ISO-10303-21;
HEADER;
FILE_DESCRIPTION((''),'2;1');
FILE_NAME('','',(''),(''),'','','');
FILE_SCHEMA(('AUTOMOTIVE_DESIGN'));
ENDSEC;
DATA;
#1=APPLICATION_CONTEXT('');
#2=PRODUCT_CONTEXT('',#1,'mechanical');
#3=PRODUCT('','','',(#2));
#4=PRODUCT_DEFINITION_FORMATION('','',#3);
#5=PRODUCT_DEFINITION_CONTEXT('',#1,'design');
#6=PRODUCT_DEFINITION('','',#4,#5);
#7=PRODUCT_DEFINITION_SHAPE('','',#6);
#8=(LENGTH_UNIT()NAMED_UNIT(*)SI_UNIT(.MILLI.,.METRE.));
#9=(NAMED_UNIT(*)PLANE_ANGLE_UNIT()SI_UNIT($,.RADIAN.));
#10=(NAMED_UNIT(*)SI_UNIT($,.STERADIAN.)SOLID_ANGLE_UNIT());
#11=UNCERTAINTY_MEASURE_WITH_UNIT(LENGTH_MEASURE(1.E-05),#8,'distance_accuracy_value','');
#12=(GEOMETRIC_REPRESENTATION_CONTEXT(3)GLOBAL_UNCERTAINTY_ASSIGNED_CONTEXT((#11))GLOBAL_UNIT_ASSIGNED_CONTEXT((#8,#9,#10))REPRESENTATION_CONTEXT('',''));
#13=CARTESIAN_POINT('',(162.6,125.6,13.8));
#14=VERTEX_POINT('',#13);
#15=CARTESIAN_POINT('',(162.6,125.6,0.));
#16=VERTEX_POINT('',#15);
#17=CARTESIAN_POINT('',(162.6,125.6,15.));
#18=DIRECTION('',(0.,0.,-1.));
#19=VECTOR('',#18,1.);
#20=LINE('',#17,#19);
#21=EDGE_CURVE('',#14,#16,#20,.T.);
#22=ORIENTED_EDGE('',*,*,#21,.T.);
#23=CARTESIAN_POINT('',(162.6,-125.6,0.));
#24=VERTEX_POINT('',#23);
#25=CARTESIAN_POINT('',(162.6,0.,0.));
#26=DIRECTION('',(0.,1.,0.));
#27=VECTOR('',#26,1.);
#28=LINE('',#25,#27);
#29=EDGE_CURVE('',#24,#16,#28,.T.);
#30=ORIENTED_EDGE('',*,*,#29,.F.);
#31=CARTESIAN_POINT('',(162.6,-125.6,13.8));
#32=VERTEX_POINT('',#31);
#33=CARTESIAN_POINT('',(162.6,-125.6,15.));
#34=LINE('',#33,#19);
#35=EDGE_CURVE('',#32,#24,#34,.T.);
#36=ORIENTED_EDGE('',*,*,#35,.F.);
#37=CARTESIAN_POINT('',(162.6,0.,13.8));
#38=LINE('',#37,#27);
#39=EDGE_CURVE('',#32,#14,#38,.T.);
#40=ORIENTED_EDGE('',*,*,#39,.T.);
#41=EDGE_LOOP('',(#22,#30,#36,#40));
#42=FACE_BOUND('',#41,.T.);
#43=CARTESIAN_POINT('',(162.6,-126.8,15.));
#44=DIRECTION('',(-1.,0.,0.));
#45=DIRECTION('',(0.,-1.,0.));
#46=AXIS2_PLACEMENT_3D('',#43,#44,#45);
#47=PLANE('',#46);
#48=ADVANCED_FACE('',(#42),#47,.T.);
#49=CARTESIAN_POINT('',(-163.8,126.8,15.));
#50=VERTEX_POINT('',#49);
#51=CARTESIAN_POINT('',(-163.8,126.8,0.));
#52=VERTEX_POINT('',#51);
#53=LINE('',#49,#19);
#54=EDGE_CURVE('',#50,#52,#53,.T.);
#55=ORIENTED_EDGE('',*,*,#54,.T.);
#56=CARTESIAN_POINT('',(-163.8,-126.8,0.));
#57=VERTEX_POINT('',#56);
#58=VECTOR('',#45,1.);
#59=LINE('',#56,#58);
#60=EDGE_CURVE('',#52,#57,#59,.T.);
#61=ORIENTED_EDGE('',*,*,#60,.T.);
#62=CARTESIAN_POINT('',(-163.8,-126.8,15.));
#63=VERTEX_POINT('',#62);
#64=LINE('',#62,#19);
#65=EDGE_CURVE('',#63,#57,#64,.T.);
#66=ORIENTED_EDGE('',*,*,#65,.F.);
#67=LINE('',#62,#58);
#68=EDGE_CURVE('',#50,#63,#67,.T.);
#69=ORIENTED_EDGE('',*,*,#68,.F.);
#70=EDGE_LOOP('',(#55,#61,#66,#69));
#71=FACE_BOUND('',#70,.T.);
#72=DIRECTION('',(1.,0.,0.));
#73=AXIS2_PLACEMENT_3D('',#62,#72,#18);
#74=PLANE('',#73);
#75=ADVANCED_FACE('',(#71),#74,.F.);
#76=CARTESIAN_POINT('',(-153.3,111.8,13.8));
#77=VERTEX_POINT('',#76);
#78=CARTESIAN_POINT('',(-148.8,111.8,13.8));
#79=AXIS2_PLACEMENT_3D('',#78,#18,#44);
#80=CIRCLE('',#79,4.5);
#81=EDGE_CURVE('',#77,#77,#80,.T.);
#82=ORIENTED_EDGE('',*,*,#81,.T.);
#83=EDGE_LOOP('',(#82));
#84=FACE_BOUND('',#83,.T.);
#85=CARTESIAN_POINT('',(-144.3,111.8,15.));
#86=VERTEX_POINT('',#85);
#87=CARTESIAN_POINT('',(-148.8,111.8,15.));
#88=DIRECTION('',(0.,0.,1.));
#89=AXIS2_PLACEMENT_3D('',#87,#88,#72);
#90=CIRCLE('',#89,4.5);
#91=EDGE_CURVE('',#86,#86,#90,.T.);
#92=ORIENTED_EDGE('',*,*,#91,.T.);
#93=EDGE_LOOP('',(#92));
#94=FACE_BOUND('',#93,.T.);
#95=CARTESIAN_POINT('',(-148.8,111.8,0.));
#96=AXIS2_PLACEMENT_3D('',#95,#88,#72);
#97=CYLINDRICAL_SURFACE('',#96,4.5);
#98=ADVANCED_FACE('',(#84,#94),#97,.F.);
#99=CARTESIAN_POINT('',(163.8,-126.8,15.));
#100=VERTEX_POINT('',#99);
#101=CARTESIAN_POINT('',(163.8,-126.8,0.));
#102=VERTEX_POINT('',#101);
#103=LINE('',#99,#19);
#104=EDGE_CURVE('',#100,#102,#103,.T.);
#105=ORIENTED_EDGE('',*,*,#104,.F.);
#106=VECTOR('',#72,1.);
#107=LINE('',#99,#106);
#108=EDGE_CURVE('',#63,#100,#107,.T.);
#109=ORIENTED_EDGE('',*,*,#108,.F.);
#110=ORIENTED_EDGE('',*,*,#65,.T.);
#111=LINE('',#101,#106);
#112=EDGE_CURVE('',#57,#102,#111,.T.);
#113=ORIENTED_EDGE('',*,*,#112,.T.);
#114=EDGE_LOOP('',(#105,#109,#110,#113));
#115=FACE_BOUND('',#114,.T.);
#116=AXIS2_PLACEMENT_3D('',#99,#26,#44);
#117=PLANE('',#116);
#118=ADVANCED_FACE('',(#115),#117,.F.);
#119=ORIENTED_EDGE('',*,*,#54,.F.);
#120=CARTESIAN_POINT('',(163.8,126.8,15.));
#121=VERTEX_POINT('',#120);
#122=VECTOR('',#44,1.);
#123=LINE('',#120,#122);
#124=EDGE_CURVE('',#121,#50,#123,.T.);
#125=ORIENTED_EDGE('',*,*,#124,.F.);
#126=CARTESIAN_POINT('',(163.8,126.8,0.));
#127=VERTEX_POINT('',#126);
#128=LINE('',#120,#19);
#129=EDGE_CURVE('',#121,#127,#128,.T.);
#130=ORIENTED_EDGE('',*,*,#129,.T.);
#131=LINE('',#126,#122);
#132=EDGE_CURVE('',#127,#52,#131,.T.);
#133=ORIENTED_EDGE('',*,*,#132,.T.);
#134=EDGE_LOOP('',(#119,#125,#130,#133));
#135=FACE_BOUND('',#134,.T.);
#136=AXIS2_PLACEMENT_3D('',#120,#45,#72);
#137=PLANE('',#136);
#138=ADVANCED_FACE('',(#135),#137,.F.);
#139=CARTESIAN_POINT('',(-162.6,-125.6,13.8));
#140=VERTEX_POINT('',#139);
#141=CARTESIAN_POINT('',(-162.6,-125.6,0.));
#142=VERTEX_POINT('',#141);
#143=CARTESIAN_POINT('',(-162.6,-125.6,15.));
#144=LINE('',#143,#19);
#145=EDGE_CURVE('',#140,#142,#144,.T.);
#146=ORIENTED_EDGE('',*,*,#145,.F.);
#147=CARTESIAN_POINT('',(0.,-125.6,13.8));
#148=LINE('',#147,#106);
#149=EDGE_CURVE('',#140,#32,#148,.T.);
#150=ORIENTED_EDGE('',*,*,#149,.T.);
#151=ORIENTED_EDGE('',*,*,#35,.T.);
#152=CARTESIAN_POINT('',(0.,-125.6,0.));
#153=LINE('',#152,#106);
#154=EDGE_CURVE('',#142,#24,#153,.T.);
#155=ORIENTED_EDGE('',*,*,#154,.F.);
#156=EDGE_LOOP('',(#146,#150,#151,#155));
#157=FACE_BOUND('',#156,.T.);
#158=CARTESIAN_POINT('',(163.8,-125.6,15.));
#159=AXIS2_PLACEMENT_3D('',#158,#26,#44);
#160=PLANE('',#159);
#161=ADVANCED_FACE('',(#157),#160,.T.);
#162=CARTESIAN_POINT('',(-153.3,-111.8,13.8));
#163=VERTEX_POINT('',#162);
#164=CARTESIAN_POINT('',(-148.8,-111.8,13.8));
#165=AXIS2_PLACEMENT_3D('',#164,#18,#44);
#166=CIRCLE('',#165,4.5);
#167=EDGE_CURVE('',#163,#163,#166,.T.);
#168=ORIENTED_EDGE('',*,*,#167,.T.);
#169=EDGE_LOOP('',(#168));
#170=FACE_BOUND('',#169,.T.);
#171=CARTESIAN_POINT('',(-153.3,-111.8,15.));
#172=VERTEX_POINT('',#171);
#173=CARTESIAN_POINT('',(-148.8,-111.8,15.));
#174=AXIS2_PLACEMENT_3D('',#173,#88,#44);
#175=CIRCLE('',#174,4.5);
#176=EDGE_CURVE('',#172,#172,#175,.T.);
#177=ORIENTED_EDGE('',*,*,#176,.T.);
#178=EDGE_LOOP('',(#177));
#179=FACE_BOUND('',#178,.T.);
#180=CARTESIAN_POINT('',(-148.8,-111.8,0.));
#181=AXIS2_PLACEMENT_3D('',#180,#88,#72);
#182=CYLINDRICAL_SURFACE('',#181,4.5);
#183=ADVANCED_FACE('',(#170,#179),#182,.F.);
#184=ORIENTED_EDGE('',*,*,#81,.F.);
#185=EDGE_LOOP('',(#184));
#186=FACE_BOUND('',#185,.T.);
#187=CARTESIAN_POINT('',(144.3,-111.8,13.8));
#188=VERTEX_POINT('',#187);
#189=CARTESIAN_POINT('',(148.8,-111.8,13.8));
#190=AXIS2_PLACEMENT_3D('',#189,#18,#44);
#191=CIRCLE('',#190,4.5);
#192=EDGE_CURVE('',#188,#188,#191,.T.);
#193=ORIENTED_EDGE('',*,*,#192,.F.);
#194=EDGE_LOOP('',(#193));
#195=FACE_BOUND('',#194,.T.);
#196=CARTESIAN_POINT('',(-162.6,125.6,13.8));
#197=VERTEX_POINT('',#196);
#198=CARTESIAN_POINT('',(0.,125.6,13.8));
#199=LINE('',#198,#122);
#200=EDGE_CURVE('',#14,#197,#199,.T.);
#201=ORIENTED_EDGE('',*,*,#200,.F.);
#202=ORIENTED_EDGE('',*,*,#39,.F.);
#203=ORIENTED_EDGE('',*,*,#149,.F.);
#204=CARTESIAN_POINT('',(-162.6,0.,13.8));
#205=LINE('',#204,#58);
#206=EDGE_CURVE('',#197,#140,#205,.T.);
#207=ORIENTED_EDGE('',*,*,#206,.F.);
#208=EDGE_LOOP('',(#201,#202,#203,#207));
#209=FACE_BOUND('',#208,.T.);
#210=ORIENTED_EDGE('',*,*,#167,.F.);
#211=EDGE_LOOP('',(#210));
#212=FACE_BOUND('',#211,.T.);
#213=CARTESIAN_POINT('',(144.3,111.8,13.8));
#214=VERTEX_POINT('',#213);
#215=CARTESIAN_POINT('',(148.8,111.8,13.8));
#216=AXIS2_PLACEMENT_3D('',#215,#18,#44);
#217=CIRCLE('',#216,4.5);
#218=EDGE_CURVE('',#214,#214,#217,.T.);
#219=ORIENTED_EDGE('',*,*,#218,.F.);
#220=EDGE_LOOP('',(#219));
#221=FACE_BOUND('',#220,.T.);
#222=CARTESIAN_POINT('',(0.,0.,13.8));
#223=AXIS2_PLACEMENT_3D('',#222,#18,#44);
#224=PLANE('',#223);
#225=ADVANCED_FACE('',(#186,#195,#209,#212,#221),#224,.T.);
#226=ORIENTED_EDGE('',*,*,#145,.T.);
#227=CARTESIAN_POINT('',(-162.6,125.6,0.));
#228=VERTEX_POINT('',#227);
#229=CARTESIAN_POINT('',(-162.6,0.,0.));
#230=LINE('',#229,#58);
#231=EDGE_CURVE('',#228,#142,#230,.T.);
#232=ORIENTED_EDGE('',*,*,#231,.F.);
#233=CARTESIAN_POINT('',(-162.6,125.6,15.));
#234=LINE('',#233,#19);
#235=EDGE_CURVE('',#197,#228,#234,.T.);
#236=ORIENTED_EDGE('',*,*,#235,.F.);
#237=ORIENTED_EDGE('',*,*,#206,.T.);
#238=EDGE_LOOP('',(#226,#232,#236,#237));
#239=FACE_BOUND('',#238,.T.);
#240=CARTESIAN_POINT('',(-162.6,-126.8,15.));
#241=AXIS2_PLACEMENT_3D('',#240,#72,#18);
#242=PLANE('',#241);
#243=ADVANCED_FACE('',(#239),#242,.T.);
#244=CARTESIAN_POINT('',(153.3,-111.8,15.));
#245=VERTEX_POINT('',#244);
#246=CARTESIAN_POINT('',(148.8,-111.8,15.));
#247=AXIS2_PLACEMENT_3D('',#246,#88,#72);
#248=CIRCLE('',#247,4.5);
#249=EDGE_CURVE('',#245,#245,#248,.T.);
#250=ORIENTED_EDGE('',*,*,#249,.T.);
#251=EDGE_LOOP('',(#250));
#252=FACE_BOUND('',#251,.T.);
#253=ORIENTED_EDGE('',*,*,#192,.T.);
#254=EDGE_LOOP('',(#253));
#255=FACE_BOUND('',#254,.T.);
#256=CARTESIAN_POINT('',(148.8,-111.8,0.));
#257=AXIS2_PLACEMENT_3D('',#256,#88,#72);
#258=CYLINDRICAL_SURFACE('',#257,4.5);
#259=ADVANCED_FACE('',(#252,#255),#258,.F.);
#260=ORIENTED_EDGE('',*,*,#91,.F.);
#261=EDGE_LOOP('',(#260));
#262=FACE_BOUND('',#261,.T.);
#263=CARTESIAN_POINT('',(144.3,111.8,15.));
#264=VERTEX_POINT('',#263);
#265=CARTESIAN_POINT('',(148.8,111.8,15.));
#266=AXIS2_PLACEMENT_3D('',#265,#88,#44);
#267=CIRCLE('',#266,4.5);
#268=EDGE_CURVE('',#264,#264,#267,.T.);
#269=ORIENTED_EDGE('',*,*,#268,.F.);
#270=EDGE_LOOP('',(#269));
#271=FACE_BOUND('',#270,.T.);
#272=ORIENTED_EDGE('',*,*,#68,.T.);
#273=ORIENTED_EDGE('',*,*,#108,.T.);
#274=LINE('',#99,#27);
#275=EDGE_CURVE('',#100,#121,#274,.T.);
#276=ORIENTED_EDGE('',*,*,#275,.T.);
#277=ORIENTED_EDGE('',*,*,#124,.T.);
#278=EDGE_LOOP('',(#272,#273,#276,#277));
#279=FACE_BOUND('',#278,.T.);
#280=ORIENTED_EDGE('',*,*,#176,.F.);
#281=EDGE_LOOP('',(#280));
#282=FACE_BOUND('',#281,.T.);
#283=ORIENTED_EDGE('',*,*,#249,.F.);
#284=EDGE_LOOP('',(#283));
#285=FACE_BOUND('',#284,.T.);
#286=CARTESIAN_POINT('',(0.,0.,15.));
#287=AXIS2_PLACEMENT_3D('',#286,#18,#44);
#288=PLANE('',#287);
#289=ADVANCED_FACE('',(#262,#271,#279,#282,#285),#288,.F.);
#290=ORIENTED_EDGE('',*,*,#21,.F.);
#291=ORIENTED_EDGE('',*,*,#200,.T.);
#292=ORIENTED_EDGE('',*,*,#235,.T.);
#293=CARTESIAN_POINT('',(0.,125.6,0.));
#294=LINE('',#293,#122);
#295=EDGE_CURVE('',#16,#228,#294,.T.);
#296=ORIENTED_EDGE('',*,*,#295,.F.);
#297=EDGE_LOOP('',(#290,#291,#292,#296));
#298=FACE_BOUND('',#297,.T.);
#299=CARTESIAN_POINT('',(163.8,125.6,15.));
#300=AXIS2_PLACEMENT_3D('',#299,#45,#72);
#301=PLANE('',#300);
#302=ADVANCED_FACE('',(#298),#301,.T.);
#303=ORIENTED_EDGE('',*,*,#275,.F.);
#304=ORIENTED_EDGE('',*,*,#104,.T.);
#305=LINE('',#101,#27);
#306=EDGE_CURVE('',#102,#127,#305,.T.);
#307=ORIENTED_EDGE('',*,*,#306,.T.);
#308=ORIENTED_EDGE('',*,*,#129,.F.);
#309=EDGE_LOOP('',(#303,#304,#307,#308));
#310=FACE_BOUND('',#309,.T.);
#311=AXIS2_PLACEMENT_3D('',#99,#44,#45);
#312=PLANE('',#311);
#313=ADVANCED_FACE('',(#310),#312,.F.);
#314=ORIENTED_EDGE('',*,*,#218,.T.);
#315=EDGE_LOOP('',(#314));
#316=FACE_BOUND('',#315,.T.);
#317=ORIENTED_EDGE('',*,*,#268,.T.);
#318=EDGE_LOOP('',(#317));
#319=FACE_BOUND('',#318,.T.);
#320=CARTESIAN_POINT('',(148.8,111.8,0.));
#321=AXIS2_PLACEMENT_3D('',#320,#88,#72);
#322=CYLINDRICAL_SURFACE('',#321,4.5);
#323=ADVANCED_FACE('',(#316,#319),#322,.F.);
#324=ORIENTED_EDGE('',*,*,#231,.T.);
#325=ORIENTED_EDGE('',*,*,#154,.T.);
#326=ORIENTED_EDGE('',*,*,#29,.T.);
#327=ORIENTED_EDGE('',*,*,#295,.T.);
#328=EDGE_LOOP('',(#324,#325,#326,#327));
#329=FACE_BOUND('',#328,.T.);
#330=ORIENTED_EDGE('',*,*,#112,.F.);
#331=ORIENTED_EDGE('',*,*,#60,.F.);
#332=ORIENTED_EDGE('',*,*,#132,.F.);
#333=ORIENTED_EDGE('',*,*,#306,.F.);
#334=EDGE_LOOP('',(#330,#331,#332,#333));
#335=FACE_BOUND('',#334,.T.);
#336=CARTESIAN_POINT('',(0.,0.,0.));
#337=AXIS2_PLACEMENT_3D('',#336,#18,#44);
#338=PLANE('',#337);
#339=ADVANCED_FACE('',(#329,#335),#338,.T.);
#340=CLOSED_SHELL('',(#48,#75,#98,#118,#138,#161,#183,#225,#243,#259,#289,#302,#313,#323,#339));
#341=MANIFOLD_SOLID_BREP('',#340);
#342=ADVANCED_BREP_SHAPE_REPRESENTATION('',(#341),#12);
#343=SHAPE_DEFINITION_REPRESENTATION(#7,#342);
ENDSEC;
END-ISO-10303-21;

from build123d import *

# Parameters (mm, degrees)
SKETCH_1_W          = 327.6
SKETCH_1_H          = 253.6
EXTRUDE_1_DEPTH     = 15
SHELL_1_T           = -1.2
SKETCH_2_R          = 4.5
CUT_EXTRUDE_1_DEPTH = 15


with BuildPart() as part:
    # 草图1 → 凸台-拉伸1 (new body)
    with BuildSketch(Plane.XY):
        Rectangle(SKETCH_1_W, SKETCH_1_H)
    extrude(amount=EXTRUDE_1_DEPTH)

    # 抽壳1
    shell_1_openings = [part.faces().sort_by_distance(p)[0] for p in [
        (0, 0, 0),
    ]]
    offset(amount=SHELL_1_T, openings=shell_1_openings, kind=Kind.INTERSECTION)

    # 草图2 → 切除-拉伸1 (cut)
    with BuildSketch(Plane.XY.offset(15)):
        with Locations((-148.8, 111.8)):
            Circle(SKETCH_2_R)
        with Locations(Location((148.8, 111.8, 0), (0, 0, 180))):
            Circle(SKETCH_2_R)
        with Locations((148.8, -111.8)):
            Circle(SKETCH_2_R)
        with Locations(Location((-148.8, -111.8, 0), (0, 0, 180))):
            Circle(SKETCH_2_R)
    extrude(amount=-CUT_EXTRUDE_1_DEPTH, mode=Mode.SUBTRACT)


solid = part.part
